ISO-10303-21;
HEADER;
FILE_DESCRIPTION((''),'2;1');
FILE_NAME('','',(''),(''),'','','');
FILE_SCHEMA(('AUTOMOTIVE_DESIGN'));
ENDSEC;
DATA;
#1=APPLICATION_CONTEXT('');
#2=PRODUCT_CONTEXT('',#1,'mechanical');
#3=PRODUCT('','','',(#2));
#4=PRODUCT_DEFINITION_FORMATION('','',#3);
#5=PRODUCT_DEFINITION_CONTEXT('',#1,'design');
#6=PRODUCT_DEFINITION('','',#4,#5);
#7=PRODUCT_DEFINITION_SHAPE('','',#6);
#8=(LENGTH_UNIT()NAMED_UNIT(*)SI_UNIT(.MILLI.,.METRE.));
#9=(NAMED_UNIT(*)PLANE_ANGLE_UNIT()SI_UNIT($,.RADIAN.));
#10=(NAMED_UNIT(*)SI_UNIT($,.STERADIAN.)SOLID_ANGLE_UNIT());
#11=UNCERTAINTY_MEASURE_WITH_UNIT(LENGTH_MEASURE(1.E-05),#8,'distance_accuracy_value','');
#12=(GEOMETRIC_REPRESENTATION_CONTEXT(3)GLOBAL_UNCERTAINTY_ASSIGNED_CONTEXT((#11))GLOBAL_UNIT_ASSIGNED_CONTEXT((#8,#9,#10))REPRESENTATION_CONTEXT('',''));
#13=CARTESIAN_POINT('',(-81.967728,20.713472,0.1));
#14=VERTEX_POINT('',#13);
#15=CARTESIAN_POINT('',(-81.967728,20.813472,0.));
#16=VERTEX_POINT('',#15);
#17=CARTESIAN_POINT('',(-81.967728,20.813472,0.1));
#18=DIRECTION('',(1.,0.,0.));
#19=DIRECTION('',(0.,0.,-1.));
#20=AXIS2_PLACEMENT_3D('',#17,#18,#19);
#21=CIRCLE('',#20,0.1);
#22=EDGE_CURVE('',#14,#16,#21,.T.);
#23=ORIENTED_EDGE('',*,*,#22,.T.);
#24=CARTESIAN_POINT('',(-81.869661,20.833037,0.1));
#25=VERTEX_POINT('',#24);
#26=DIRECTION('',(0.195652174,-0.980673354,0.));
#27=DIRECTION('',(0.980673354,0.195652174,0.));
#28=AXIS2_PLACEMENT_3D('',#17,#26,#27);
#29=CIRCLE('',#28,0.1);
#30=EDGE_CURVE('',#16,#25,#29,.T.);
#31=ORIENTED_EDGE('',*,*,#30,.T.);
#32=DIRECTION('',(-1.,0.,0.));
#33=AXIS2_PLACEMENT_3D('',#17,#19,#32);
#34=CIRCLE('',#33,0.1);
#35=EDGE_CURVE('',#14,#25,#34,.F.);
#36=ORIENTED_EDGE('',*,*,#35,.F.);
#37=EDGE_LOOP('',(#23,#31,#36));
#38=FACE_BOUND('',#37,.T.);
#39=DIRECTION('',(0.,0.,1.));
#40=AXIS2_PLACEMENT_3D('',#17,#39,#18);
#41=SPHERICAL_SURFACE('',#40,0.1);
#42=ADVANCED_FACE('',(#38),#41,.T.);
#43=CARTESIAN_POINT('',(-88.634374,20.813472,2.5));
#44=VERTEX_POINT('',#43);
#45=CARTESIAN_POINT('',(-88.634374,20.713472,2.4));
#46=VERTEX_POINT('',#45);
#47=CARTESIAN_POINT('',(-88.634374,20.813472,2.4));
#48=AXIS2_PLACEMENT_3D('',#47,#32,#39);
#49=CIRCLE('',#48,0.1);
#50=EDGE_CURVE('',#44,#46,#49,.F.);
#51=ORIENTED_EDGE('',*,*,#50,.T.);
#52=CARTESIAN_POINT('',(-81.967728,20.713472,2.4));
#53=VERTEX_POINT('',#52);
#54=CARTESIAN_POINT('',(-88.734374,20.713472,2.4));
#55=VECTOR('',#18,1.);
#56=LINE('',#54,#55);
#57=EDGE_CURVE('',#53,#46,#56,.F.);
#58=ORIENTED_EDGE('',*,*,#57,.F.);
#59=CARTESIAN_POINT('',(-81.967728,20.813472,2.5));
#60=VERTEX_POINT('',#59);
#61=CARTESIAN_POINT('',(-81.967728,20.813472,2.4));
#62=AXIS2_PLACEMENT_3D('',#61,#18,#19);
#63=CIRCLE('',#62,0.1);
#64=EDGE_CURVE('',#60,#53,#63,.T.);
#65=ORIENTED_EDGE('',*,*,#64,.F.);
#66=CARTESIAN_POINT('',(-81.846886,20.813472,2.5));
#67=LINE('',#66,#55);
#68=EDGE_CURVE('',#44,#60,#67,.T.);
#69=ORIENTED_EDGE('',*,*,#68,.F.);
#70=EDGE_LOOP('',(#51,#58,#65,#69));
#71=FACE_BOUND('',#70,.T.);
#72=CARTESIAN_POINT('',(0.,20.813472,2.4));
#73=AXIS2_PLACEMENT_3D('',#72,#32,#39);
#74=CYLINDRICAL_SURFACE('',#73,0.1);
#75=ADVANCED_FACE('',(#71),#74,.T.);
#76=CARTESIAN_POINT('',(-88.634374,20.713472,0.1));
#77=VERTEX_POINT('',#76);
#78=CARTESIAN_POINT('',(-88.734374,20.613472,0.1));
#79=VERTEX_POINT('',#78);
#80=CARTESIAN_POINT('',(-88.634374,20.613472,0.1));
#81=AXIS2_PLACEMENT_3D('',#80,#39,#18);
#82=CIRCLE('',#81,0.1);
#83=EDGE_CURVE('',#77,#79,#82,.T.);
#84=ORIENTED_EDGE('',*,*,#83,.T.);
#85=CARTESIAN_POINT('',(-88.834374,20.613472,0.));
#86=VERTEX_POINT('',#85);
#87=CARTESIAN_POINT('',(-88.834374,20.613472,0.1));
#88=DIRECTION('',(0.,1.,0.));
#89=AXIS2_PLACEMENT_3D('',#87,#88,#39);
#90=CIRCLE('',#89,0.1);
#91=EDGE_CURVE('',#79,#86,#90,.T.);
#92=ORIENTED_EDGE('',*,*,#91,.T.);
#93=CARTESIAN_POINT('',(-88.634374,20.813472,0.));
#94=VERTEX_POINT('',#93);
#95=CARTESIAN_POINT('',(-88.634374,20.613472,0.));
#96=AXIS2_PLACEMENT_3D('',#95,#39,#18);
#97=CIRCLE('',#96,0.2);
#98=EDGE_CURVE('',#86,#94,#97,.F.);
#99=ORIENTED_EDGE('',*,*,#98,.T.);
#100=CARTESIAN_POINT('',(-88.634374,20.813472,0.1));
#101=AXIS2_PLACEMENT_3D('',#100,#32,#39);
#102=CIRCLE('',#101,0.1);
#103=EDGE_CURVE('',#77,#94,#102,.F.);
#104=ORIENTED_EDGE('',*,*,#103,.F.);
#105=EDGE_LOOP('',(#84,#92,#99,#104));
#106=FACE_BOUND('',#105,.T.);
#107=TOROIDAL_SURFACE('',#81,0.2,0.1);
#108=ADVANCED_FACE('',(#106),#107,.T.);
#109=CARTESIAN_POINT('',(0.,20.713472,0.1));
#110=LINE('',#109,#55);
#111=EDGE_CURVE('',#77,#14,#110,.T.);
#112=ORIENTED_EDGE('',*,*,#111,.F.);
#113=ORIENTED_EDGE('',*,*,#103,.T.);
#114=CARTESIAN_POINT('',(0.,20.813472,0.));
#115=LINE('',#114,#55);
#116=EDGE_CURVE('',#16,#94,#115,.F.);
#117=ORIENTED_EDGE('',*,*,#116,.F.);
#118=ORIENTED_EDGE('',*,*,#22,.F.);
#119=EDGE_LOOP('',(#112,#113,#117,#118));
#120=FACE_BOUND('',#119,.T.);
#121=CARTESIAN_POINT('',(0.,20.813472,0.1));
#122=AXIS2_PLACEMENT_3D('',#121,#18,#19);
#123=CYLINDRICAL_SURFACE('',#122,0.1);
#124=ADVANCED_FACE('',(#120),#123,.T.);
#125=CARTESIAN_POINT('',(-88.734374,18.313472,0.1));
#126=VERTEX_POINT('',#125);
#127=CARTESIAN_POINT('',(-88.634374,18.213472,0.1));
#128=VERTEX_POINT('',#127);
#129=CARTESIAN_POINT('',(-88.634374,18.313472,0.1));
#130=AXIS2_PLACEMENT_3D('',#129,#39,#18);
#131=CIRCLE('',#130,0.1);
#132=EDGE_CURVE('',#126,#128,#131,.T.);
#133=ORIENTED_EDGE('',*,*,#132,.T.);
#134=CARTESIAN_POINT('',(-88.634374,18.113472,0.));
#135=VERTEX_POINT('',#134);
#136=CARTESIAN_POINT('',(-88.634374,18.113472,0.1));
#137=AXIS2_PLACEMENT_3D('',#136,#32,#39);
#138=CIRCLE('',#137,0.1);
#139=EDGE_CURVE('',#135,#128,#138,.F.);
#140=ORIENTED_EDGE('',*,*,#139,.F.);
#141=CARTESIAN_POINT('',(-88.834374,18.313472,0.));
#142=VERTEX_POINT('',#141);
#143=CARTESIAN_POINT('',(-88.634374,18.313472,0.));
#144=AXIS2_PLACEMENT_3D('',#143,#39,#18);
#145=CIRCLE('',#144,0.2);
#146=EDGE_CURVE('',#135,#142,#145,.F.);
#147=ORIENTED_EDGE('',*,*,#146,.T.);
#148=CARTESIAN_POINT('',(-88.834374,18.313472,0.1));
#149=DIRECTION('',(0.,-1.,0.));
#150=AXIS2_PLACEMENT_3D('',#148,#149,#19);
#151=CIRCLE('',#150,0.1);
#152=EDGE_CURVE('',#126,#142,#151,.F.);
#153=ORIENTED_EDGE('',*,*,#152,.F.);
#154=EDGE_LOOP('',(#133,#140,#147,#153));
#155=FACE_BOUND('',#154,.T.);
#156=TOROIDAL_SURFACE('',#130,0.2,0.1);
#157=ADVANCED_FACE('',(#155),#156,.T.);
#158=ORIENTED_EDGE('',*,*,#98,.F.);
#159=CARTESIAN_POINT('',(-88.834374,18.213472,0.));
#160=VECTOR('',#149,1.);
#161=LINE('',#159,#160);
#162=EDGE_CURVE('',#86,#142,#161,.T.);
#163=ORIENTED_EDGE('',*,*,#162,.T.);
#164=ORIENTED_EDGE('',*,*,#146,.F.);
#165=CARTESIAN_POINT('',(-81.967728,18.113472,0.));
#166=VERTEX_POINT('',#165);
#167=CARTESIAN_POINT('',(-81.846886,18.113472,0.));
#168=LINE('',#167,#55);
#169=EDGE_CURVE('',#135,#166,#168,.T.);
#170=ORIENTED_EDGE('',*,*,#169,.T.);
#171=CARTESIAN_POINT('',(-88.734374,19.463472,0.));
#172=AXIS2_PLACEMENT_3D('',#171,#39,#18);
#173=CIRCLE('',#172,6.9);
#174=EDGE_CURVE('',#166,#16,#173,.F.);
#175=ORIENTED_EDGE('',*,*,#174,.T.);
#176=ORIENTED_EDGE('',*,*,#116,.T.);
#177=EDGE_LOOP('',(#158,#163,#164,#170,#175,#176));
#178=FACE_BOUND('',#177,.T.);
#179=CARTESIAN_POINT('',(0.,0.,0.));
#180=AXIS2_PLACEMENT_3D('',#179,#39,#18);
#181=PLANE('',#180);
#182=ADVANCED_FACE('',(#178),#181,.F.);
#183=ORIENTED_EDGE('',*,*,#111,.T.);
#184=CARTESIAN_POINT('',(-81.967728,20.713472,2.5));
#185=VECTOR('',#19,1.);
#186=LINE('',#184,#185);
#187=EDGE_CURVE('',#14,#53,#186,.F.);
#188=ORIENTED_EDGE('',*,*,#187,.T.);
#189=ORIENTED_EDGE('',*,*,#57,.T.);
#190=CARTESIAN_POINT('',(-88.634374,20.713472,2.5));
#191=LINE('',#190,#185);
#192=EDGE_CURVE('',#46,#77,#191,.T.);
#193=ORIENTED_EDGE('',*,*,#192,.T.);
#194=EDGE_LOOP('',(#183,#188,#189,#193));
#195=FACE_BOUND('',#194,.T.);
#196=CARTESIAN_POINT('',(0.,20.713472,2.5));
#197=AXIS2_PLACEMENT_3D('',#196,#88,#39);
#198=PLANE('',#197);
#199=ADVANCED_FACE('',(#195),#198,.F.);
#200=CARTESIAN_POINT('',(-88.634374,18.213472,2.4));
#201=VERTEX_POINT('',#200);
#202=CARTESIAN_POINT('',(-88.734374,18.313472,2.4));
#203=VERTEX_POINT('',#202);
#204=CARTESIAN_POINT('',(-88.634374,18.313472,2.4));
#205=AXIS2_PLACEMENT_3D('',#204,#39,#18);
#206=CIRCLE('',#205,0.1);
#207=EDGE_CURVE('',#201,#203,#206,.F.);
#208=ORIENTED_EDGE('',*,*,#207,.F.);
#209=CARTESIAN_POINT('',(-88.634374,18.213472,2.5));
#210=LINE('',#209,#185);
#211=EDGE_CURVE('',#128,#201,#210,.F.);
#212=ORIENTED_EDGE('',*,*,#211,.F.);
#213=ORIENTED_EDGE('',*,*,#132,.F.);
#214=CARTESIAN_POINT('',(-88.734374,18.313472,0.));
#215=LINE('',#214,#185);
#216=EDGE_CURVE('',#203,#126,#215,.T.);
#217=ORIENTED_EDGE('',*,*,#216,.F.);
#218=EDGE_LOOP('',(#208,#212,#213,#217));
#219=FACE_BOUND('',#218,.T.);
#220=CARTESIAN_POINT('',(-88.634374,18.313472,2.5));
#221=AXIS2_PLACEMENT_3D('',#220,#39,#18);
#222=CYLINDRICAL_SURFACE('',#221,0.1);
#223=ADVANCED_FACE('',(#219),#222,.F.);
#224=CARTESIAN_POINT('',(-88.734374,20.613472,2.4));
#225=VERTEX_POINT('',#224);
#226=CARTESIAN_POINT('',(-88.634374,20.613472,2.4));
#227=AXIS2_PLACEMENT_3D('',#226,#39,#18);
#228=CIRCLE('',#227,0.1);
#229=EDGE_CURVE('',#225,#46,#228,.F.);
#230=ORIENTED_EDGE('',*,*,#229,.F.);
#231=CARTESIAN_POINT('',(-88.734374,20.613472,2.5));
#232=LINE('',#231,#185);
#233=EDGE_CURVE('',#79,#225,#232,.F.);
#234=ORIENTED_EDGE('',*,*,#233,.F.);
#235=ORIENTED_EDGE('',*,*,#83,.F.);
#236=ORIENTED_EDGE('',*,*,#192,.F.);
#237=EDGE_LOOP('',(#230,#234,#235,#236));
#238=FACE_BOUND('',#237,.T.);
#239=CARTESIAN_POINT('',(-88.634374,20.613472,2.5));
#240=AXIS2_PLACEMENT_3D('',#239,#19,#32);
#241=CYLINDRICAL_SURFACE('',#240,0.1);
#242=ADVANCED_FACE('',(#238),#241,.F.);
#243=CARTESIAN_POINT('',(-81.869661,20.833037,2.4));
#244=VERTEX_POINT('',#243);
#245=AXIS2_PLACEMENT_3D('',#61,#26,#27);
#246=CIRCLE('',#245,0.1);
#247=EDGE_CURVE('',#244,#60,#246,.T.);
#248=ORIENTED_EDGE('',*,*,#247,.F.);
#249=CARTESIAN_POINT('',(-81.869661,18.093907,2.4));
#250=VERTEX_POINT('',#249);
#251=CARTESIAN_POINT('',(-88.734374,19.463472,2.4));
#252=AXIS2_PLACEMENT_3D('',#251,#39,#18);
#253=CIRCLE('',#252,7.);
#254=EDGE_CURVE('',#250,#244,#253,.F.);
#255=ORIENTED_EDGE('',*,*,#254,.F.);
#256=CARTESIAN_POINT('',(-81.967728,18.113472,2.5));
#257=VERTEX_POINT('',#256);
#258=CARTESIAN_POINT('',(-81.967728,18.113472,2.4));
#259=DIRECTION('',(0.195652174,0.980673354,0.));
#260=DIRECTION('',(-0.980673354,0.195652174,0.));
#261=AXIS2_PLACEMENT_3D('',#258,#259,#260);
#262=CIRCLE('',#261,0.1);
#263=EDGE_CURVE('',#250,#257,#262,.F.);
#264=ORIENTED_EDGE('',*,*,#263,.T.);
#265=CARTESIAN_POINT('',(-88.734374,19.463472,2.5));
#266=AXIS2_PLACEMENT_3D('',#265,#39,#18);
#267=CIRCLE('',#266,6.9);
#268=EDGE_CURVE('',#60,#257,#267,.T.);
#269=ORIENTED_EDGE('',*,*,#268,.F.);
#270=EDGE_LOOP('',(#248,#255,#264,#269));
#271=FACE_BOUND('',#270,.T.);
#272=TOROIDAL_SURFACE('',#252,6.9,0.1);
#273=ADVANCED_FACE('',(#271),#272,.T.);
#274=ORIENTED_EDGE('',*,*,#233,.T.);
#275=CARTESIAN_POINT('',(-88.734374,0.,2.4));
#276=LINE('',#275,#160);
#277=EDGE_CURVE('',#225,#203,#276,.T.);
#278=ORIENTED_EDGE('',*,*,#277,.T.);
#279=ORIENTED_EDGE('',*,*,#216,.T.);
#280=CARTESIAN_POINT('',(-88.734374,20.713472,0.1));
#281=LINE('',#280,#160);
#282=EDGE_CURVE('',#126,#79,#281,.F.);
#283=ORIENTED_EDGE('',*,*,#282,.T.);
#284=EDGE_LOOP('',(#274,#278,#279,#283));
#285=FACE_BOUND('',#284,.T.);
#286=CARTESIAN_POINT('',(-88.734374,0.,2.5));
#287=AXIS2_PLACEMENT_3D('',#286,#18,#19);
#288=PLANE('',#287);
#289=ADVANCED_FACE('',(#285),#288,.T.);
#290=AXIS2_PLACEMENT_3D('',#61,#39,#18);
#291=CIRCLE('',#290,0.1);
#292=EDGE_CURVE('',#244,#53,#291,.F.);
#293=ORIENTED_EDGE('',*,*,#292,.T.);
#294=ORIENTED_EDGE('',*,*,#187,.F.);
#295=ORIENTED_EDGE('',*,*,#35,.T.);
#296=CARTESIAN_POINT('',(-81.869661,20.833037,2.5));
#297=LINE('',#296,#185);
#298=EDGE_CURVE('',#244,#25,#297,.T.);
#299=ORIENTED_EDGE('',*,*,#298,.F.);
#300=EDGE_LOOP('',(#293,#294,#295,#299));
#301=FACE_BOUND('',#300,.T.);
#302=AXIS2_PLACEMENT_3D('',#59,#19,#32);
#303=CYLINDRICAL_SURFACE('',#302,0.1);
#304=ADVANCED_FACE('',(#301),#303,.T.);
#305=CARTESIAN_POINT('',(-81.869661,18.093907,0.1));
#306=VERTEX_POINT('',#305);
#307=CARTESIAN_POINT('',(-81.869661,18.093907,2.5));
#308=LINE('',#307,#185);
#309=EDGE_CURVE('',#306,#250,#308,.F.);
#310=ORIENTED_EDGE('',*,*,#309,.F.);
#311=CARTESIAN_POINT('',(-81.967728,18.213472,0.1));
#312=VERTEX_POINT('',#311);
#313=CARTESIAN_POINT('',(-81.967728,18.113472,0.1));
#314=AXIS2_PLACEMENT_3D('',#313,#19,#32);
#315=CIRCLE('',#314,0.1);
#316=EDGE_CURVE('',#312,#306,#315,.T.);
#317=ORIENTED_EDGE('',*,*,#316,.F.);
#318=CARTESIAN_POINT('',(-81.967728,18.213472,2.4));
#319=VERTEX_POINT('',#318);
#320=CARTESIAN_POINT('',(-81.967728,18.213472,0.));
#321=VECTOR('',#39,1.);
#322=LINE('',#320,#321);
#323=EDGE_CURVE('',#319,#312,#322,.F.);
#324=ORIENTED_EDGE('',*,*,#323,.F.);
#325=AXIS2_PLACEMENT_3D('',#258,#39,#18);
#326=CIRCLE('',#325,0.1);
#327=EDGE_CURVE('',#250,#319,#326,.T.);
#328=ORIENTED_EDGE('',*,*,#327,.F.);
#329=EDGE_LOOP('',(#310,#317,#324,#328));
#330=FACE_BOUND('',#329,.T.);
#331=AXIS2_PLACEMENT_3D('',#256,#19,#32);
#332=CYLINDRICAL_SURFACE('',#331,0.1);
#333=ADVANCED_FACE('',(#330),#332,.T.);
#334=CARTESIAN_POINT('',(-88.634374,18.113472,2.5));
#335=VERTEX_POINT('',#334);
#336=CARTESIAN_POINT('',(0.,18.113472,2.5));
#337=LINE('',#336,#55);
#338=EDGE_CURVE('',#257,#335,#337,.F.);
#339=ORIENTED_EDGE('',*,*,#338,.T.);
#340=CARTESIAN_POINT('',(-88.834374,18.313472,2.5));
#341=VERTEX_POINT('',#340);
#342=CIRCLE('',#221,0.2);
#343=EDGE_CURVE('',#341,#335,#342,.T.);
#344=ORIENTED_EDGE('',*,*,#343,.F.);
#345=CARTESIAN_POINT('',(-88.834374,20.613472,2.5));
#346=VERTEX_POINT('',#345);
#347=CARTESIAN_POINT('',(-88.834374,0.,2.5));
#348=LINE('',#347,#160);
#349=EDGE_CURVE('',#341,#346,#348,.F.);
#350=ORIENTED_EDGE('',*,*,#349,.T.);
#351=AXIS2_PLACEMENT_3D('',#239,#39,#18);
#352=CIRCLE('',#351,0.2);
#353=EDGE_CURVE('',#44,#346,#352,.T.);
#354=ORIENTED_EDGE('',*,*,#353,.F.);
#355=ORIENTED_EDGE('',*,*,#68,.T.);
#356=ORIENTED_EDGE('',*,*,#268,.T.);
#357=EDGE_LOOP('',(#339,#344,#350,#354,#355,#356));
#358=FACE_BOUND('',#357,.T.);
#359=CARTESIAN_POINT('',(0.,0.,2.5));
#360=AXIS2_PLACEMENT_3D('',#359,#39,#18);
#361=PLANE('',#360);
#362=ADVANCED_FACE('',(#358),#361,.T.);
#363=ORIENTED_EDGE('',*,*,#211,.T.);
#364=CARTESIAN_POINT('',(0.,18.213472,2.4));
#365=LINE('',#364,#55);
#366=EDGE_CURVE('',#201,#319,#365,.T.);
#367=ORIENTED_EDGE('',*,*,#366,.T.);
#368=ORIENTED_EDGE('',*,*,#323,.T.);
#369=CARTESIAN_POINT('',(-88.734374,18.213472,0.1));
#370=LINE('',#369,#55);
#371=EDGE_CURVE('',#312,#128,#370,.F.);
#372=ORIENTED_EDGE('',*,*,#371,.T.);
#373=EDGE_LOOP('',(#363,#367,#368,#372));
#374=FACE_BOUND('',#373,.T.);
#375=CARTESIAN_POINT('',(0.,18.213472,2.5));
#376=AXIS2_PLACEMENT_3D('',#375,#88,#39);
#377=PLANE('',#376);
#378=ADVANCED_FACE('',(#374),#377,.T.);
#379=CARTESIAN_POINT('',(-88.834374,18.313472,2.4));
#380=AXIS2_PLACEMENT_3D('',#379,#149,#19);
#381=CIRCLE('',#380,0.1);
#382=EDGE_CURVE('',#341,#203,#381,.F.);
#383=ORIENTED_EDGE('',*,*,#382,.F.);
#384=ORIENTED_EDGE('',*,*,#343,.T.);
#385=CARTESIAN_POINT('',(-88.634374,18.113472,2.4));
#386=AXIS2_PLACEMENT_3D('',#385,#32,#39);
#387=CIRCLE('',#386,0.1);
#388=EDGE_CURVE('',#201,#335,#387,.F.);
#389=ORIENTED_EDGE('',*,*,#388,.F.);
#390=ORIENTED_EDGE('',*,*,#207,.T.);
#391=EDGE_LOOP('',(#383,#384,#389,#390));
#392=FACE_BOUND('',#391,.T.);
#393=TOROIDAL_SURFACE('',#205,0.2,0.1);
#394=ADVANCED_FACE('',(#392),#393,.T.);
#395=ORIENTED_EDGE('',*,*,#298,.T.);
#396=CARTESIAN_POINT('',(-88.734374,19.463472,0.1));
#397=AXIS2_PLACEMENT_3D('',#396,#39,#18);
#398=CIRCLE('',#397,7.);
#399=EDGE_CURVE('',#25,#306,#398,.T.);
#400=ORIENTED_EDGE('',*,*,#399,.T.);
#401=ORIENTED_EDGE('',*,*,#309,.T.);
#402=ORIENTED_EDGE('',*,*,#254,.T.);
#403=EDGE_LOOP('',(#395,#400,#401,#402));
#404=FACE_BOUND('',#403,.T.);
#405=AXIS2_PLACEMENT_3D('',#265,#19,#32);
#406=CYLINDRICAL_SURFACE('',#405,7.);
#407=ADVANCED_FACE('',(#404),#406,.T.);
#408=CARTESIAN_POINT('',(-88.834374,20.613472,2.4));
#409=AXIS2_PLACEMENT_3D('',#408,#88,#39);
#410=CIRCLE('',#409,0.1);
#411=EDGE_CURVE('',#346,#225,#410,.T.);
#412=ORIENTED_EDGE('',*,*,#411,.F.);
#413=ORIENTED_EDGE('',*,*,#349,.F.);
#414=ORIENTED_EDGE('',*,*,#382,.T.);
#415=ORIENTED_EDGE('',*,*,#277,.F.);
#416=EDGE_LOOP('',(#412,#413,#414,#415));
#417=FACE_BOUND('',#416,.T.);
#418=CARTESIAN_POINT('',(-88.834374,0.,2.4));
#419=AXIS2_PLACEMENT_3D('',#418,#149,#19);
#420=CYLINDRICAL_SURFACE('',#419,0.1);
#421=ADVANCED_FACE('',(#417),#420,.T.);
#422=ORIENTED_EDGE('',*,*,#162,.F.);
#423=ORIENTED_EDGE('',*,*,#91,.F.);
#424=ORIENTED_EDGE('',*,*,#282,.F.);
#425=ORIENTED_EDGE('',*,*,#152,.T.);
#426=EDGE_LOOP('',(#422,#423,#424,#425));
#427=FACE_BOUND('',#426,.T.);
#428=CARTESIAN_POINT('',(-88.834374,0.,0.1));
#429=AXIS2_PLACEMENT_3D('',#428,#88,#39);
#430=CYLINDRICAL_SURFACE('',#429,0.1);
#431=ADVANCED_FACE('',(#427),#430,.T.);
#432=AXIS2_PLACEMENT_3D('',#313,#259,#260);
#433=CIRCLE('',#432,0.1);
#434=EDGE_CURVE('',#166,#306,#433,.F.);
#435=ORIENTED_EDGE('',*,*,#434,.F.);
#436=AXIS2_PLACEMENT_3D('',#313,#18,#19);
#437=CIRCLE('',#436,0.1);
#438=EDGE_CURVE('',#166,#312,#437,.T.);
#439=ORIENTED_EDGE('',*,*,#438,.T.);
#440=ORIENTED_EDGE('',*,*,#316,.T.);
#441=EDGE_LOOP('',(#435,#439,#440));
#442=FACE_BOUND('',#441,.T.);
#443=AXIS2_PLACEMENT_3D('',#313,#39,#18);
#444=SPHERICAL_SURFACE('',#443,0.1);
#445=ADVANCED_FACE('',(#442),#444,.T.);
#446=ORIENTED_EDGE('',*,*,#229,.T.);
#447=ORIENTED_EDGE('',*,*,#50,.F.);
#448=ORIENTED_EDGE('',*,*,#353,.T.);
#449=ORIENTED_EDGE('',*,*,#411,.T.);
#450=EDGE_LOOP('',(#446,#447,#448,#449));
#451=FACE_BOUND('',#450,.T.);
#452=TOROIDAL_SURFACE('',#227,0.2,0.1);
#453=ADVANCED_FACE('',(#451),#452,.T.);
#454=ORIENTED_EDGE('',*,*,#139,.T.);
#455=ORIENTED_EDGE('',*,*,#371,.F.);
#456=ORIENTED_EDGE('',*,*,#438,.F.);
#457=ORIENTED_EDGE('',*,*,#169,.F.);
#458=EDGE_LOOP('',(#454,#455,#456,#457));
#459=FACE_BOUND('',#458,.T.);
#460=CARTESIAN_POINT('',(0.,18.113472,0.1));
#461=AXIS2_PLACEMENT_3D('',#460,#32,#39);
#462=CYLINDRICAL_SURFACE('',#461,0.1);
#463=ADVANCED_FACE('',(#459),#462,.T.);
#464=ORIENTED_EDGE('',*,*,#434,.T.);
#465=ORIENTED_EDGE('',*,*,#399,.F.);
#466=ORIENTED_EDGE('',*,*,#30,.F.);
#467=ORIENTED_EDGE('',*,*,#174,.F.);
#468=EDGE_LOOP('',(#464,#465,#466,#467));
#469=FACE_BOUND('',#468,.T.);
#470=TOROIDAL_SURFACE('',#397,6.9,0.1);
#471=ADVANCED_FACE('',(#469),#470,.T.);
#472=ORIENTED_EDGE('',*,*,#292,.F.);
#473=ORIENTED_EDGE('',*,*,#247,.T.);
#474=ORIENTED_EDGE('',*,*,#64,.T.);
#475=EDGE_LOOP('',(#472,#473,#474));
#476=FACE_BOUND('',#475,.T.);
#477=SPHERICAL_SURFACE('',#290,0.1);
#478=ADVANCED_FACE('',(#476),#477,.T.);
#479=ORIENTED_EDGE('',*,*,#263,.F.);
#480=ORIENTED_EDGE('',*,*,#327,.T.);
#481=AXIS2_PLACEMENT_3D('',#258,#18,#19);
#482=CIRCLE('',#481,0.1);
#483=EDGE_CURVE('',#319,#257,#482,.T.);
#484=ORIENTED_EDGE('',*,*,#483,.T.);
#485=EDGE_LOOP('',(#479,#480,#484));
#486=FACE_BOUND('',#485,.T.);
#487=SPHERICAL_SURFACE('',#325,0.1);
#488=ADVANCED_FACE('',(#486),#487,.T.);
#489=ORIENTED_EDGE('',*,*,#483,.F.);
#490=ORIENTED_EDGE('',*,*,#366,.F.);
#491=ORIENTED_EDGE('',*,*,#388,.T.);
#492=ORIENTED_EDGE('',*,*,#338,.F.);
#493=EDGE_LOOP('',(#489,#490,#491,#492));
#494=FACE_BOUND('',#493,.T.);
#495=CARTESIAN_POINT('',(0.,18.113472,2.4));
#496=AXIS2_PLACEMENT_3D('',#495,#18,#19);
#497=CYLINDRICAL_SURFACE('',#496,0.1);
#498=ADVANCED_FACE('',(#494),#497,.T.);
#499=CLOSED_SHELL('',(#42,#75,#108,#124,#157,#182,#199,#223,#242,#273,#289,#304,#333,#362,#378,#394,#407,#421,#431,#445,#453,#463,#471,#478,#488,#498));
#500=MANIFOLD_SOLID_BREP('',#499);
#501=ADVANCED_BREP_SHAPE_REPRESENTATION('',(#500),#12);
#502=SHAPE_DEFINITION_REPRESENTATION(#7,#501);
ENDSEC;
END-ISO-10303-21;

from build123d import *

# Parameters (mm, degrees)
RESSALTO_EXTRUS_O1_DEPTH = 2.5
FILETE1_R                = 0.1


with BuildPart() as part:
    # Esboço1 → Ressalto-extrusão1 (new body)
    with BuildSketch(Plane.XY):
        with BuildLine():
            Line((-88.734374253, 18.21347197), (-88.734374253, 20.71347197))
            Line((-88.734374253, 20.71347197), (-81.846885596, 20.71347197))
            ThreePointArc((-81.846885596, 20.71347197), (-95.734374253, 19.46347197), (-81.846885596, 18.21347197))
            Line((-81.846885596, 18.21347197), (-88.734374253, 18.21347197))
        make_face()
    extrude(amount=RESSALTO_EXTRUS_O1_DEPTH)

    # Filete1
    filete1_edges = [part.edges().sort_by_distance(p)[0] for p in [
        (-85.290629924, 18.21347197, 2.5),
        (-88.734374253, 19.46347197, 2.5),
        (-85.290629924, 20.71347197, 2.5),
        (-88.734374253, 19.46347197, 0),
        (-85.290629924, 18.21347197, 0),
        (-95.734374253, 19.46347197, 0),
        (-85.290629924, 20.71347197, 0),
        (-88.734374253, 20.71347197, 1.25),
        (-88.734374253, 18.21347197, 1.25),
        (-81.846885596, 18.21347197, 1.25),
        (-81.846885596, 20.71347197, 1.25),
        (-95.734374253, 19.46347197, 2.5),
    ]]
    fillet(filete1_edges, radius=FILETE1_R)


solid = part.part
